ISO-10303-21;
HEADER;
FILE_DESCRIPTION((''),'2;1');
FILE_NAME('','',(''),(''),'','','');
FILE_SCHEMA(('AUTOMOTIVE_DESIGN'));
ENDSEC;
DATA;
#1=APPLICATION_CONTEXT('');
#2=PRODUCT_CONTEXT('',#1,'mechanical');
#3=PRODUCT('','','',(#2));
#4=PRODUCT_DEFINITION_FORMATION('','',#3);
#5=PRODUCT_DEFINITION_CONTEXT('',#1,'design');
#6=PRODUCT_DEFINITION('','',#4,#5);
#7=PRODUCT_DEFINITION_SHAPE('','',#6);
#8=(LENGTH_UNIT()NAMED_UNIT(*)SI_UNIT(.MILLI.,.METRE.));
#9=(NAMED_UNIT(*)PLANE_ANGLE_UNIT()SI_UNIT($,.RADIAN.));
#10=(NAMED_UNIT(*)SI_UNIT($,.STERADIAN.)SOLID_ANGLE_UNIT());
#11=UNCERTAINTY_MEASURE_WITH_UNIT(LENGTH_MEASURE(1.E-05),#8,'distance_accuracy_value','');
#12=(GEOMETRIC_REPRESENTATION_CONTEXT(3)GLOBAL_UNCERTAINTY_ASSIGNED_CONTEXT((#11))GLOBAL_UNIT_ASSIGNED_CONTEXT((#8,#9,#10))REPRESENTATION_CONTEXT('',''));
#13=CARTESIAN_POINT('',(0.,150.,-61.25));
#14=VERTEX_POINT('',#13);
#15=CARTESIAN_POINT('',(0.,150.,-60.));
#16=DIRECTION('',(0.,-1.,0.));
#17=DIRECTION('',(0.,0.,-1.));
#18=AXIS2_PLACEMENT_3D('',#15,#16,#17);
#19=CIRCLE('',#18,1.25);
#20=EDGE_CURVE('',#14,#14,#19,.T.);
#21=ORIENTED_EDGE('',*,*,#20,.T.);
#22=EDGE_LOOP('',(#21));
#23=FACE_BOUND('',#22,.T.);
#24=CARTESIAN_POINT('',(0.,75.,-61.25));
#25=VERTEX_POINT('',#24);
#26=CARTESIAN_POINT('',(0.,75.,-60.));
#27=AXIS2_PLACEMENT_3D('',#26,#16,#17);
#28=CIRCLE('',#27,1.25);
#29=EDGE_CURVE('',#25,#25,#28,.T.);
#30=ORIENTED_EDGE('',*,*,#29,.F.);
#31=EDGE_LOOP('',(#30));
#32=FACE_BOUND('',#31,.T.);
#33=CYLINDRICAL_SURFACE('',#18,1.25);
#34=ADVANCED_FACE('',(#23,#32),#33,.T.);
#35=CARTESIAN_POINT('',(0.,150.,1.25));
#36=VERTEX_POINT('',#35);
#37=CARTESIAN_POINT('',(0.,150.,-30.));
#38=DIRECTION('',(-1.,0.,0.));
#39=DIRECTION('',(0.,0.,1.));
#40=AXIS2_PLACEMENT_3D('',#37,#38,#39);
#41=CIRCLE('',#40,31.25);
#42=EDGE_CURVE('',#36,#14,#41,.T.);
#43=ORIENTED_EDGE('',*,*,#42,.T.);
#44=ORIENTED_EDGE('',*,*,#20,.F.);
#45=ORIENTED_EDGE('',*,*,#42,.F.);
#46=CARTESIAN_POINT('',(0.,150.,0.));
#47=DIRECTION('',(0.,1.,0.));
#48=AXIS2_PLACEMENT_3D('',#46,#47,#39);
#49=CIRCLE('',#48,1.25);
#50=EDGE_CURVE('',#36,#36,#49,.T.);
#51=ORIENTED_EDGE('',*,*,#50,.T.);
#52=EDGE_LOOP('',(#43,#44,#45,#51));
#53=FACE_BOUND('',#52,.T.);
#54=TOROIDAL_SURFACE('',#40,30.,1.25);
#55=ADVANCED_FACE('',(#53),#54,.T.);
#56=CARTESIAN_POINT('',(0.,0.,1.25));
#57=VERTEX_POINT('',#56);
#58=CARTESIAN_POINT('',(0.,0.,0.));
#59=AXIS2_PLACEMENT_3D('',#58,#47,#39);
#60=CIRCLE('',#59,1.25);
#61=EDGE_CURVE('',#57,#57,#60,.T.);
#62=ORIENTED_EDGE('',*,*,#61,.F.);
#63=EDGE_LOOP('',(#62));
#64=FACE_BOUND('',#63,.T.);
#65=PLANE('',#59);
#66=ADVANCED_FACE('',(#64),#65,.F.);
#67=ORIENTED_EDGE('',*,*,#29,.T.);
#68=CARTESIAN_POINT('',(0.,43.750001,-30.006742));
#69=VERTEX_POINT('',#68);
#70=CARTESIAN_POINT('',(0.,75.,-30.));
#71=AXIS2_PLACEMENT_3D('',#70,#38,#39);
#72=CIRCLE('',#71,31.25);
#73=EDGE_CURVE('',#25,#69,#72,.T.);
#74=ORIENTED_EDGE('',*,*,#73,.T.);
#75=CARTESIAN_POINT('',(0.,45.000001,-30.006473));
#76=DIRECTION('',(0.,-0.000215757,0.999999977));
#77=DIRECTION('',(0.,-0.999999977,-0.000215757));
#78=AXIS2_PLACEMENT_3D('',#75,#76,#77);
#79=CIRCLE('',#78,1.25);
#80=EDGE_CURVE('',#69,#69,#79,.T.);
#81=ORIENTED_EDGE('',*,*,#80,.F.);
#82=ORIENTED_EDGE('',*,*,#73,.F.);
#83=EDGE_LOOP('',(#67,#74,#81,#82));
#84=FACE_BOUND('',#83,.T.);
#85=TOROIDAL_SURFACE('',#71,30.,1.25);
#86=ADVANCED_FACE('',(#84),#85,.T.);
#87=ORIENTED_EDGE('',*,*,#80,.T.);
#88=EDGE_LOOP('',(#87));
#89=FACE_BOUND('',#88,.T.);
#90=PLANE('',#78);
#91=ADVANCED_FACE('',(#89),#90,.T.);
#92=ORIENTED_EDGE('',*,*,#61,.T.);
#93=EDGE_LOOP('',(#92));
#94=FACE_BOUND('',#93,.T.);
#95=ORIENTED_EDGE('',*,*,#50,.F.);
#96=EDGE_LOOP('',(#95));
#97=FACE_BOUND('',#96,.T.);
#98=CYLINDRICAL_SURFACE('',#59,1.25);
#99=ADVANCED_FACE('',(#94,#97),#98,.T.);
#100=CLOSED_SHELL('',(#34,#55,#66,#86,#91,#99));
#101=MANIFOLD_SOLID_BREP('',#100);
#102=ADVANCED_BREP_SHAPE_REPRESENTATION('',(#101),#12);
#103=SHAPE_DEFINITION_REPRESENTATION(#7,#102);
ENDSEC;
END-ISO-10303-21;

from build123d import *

# Parameters (mm, degrees)
SKETCH4_R = 1.25


with BuildPart() as part:
    # Sweep2: sweep along a path in Sketch3
    with BuildLine(Plane(origin=(0, 0, 0), x_dir=(0, 0, -1), z_dir=(1, 0, 0))) as sweep2_path:
        Line((0, 0), (0, 150))
        ThreePointArc((0, 150), (30, 180), (60, 150))
        Line((60, 150), (60, 75))
        ThreePointArc((60, 75), (51.215491763, 53.789085138), (30.006472715, 45.000000698))
    # Sketch4 → Sweep2 (sweep)
    with BuildSketch(Plane(origin=(0, 0, 0), x_dir=(1, 0, 0), z_dir=(0, 1, 0))):
        Circle(SKETCH4_R)
    sweep(path=sweep2_path.line)


solid = part.part
